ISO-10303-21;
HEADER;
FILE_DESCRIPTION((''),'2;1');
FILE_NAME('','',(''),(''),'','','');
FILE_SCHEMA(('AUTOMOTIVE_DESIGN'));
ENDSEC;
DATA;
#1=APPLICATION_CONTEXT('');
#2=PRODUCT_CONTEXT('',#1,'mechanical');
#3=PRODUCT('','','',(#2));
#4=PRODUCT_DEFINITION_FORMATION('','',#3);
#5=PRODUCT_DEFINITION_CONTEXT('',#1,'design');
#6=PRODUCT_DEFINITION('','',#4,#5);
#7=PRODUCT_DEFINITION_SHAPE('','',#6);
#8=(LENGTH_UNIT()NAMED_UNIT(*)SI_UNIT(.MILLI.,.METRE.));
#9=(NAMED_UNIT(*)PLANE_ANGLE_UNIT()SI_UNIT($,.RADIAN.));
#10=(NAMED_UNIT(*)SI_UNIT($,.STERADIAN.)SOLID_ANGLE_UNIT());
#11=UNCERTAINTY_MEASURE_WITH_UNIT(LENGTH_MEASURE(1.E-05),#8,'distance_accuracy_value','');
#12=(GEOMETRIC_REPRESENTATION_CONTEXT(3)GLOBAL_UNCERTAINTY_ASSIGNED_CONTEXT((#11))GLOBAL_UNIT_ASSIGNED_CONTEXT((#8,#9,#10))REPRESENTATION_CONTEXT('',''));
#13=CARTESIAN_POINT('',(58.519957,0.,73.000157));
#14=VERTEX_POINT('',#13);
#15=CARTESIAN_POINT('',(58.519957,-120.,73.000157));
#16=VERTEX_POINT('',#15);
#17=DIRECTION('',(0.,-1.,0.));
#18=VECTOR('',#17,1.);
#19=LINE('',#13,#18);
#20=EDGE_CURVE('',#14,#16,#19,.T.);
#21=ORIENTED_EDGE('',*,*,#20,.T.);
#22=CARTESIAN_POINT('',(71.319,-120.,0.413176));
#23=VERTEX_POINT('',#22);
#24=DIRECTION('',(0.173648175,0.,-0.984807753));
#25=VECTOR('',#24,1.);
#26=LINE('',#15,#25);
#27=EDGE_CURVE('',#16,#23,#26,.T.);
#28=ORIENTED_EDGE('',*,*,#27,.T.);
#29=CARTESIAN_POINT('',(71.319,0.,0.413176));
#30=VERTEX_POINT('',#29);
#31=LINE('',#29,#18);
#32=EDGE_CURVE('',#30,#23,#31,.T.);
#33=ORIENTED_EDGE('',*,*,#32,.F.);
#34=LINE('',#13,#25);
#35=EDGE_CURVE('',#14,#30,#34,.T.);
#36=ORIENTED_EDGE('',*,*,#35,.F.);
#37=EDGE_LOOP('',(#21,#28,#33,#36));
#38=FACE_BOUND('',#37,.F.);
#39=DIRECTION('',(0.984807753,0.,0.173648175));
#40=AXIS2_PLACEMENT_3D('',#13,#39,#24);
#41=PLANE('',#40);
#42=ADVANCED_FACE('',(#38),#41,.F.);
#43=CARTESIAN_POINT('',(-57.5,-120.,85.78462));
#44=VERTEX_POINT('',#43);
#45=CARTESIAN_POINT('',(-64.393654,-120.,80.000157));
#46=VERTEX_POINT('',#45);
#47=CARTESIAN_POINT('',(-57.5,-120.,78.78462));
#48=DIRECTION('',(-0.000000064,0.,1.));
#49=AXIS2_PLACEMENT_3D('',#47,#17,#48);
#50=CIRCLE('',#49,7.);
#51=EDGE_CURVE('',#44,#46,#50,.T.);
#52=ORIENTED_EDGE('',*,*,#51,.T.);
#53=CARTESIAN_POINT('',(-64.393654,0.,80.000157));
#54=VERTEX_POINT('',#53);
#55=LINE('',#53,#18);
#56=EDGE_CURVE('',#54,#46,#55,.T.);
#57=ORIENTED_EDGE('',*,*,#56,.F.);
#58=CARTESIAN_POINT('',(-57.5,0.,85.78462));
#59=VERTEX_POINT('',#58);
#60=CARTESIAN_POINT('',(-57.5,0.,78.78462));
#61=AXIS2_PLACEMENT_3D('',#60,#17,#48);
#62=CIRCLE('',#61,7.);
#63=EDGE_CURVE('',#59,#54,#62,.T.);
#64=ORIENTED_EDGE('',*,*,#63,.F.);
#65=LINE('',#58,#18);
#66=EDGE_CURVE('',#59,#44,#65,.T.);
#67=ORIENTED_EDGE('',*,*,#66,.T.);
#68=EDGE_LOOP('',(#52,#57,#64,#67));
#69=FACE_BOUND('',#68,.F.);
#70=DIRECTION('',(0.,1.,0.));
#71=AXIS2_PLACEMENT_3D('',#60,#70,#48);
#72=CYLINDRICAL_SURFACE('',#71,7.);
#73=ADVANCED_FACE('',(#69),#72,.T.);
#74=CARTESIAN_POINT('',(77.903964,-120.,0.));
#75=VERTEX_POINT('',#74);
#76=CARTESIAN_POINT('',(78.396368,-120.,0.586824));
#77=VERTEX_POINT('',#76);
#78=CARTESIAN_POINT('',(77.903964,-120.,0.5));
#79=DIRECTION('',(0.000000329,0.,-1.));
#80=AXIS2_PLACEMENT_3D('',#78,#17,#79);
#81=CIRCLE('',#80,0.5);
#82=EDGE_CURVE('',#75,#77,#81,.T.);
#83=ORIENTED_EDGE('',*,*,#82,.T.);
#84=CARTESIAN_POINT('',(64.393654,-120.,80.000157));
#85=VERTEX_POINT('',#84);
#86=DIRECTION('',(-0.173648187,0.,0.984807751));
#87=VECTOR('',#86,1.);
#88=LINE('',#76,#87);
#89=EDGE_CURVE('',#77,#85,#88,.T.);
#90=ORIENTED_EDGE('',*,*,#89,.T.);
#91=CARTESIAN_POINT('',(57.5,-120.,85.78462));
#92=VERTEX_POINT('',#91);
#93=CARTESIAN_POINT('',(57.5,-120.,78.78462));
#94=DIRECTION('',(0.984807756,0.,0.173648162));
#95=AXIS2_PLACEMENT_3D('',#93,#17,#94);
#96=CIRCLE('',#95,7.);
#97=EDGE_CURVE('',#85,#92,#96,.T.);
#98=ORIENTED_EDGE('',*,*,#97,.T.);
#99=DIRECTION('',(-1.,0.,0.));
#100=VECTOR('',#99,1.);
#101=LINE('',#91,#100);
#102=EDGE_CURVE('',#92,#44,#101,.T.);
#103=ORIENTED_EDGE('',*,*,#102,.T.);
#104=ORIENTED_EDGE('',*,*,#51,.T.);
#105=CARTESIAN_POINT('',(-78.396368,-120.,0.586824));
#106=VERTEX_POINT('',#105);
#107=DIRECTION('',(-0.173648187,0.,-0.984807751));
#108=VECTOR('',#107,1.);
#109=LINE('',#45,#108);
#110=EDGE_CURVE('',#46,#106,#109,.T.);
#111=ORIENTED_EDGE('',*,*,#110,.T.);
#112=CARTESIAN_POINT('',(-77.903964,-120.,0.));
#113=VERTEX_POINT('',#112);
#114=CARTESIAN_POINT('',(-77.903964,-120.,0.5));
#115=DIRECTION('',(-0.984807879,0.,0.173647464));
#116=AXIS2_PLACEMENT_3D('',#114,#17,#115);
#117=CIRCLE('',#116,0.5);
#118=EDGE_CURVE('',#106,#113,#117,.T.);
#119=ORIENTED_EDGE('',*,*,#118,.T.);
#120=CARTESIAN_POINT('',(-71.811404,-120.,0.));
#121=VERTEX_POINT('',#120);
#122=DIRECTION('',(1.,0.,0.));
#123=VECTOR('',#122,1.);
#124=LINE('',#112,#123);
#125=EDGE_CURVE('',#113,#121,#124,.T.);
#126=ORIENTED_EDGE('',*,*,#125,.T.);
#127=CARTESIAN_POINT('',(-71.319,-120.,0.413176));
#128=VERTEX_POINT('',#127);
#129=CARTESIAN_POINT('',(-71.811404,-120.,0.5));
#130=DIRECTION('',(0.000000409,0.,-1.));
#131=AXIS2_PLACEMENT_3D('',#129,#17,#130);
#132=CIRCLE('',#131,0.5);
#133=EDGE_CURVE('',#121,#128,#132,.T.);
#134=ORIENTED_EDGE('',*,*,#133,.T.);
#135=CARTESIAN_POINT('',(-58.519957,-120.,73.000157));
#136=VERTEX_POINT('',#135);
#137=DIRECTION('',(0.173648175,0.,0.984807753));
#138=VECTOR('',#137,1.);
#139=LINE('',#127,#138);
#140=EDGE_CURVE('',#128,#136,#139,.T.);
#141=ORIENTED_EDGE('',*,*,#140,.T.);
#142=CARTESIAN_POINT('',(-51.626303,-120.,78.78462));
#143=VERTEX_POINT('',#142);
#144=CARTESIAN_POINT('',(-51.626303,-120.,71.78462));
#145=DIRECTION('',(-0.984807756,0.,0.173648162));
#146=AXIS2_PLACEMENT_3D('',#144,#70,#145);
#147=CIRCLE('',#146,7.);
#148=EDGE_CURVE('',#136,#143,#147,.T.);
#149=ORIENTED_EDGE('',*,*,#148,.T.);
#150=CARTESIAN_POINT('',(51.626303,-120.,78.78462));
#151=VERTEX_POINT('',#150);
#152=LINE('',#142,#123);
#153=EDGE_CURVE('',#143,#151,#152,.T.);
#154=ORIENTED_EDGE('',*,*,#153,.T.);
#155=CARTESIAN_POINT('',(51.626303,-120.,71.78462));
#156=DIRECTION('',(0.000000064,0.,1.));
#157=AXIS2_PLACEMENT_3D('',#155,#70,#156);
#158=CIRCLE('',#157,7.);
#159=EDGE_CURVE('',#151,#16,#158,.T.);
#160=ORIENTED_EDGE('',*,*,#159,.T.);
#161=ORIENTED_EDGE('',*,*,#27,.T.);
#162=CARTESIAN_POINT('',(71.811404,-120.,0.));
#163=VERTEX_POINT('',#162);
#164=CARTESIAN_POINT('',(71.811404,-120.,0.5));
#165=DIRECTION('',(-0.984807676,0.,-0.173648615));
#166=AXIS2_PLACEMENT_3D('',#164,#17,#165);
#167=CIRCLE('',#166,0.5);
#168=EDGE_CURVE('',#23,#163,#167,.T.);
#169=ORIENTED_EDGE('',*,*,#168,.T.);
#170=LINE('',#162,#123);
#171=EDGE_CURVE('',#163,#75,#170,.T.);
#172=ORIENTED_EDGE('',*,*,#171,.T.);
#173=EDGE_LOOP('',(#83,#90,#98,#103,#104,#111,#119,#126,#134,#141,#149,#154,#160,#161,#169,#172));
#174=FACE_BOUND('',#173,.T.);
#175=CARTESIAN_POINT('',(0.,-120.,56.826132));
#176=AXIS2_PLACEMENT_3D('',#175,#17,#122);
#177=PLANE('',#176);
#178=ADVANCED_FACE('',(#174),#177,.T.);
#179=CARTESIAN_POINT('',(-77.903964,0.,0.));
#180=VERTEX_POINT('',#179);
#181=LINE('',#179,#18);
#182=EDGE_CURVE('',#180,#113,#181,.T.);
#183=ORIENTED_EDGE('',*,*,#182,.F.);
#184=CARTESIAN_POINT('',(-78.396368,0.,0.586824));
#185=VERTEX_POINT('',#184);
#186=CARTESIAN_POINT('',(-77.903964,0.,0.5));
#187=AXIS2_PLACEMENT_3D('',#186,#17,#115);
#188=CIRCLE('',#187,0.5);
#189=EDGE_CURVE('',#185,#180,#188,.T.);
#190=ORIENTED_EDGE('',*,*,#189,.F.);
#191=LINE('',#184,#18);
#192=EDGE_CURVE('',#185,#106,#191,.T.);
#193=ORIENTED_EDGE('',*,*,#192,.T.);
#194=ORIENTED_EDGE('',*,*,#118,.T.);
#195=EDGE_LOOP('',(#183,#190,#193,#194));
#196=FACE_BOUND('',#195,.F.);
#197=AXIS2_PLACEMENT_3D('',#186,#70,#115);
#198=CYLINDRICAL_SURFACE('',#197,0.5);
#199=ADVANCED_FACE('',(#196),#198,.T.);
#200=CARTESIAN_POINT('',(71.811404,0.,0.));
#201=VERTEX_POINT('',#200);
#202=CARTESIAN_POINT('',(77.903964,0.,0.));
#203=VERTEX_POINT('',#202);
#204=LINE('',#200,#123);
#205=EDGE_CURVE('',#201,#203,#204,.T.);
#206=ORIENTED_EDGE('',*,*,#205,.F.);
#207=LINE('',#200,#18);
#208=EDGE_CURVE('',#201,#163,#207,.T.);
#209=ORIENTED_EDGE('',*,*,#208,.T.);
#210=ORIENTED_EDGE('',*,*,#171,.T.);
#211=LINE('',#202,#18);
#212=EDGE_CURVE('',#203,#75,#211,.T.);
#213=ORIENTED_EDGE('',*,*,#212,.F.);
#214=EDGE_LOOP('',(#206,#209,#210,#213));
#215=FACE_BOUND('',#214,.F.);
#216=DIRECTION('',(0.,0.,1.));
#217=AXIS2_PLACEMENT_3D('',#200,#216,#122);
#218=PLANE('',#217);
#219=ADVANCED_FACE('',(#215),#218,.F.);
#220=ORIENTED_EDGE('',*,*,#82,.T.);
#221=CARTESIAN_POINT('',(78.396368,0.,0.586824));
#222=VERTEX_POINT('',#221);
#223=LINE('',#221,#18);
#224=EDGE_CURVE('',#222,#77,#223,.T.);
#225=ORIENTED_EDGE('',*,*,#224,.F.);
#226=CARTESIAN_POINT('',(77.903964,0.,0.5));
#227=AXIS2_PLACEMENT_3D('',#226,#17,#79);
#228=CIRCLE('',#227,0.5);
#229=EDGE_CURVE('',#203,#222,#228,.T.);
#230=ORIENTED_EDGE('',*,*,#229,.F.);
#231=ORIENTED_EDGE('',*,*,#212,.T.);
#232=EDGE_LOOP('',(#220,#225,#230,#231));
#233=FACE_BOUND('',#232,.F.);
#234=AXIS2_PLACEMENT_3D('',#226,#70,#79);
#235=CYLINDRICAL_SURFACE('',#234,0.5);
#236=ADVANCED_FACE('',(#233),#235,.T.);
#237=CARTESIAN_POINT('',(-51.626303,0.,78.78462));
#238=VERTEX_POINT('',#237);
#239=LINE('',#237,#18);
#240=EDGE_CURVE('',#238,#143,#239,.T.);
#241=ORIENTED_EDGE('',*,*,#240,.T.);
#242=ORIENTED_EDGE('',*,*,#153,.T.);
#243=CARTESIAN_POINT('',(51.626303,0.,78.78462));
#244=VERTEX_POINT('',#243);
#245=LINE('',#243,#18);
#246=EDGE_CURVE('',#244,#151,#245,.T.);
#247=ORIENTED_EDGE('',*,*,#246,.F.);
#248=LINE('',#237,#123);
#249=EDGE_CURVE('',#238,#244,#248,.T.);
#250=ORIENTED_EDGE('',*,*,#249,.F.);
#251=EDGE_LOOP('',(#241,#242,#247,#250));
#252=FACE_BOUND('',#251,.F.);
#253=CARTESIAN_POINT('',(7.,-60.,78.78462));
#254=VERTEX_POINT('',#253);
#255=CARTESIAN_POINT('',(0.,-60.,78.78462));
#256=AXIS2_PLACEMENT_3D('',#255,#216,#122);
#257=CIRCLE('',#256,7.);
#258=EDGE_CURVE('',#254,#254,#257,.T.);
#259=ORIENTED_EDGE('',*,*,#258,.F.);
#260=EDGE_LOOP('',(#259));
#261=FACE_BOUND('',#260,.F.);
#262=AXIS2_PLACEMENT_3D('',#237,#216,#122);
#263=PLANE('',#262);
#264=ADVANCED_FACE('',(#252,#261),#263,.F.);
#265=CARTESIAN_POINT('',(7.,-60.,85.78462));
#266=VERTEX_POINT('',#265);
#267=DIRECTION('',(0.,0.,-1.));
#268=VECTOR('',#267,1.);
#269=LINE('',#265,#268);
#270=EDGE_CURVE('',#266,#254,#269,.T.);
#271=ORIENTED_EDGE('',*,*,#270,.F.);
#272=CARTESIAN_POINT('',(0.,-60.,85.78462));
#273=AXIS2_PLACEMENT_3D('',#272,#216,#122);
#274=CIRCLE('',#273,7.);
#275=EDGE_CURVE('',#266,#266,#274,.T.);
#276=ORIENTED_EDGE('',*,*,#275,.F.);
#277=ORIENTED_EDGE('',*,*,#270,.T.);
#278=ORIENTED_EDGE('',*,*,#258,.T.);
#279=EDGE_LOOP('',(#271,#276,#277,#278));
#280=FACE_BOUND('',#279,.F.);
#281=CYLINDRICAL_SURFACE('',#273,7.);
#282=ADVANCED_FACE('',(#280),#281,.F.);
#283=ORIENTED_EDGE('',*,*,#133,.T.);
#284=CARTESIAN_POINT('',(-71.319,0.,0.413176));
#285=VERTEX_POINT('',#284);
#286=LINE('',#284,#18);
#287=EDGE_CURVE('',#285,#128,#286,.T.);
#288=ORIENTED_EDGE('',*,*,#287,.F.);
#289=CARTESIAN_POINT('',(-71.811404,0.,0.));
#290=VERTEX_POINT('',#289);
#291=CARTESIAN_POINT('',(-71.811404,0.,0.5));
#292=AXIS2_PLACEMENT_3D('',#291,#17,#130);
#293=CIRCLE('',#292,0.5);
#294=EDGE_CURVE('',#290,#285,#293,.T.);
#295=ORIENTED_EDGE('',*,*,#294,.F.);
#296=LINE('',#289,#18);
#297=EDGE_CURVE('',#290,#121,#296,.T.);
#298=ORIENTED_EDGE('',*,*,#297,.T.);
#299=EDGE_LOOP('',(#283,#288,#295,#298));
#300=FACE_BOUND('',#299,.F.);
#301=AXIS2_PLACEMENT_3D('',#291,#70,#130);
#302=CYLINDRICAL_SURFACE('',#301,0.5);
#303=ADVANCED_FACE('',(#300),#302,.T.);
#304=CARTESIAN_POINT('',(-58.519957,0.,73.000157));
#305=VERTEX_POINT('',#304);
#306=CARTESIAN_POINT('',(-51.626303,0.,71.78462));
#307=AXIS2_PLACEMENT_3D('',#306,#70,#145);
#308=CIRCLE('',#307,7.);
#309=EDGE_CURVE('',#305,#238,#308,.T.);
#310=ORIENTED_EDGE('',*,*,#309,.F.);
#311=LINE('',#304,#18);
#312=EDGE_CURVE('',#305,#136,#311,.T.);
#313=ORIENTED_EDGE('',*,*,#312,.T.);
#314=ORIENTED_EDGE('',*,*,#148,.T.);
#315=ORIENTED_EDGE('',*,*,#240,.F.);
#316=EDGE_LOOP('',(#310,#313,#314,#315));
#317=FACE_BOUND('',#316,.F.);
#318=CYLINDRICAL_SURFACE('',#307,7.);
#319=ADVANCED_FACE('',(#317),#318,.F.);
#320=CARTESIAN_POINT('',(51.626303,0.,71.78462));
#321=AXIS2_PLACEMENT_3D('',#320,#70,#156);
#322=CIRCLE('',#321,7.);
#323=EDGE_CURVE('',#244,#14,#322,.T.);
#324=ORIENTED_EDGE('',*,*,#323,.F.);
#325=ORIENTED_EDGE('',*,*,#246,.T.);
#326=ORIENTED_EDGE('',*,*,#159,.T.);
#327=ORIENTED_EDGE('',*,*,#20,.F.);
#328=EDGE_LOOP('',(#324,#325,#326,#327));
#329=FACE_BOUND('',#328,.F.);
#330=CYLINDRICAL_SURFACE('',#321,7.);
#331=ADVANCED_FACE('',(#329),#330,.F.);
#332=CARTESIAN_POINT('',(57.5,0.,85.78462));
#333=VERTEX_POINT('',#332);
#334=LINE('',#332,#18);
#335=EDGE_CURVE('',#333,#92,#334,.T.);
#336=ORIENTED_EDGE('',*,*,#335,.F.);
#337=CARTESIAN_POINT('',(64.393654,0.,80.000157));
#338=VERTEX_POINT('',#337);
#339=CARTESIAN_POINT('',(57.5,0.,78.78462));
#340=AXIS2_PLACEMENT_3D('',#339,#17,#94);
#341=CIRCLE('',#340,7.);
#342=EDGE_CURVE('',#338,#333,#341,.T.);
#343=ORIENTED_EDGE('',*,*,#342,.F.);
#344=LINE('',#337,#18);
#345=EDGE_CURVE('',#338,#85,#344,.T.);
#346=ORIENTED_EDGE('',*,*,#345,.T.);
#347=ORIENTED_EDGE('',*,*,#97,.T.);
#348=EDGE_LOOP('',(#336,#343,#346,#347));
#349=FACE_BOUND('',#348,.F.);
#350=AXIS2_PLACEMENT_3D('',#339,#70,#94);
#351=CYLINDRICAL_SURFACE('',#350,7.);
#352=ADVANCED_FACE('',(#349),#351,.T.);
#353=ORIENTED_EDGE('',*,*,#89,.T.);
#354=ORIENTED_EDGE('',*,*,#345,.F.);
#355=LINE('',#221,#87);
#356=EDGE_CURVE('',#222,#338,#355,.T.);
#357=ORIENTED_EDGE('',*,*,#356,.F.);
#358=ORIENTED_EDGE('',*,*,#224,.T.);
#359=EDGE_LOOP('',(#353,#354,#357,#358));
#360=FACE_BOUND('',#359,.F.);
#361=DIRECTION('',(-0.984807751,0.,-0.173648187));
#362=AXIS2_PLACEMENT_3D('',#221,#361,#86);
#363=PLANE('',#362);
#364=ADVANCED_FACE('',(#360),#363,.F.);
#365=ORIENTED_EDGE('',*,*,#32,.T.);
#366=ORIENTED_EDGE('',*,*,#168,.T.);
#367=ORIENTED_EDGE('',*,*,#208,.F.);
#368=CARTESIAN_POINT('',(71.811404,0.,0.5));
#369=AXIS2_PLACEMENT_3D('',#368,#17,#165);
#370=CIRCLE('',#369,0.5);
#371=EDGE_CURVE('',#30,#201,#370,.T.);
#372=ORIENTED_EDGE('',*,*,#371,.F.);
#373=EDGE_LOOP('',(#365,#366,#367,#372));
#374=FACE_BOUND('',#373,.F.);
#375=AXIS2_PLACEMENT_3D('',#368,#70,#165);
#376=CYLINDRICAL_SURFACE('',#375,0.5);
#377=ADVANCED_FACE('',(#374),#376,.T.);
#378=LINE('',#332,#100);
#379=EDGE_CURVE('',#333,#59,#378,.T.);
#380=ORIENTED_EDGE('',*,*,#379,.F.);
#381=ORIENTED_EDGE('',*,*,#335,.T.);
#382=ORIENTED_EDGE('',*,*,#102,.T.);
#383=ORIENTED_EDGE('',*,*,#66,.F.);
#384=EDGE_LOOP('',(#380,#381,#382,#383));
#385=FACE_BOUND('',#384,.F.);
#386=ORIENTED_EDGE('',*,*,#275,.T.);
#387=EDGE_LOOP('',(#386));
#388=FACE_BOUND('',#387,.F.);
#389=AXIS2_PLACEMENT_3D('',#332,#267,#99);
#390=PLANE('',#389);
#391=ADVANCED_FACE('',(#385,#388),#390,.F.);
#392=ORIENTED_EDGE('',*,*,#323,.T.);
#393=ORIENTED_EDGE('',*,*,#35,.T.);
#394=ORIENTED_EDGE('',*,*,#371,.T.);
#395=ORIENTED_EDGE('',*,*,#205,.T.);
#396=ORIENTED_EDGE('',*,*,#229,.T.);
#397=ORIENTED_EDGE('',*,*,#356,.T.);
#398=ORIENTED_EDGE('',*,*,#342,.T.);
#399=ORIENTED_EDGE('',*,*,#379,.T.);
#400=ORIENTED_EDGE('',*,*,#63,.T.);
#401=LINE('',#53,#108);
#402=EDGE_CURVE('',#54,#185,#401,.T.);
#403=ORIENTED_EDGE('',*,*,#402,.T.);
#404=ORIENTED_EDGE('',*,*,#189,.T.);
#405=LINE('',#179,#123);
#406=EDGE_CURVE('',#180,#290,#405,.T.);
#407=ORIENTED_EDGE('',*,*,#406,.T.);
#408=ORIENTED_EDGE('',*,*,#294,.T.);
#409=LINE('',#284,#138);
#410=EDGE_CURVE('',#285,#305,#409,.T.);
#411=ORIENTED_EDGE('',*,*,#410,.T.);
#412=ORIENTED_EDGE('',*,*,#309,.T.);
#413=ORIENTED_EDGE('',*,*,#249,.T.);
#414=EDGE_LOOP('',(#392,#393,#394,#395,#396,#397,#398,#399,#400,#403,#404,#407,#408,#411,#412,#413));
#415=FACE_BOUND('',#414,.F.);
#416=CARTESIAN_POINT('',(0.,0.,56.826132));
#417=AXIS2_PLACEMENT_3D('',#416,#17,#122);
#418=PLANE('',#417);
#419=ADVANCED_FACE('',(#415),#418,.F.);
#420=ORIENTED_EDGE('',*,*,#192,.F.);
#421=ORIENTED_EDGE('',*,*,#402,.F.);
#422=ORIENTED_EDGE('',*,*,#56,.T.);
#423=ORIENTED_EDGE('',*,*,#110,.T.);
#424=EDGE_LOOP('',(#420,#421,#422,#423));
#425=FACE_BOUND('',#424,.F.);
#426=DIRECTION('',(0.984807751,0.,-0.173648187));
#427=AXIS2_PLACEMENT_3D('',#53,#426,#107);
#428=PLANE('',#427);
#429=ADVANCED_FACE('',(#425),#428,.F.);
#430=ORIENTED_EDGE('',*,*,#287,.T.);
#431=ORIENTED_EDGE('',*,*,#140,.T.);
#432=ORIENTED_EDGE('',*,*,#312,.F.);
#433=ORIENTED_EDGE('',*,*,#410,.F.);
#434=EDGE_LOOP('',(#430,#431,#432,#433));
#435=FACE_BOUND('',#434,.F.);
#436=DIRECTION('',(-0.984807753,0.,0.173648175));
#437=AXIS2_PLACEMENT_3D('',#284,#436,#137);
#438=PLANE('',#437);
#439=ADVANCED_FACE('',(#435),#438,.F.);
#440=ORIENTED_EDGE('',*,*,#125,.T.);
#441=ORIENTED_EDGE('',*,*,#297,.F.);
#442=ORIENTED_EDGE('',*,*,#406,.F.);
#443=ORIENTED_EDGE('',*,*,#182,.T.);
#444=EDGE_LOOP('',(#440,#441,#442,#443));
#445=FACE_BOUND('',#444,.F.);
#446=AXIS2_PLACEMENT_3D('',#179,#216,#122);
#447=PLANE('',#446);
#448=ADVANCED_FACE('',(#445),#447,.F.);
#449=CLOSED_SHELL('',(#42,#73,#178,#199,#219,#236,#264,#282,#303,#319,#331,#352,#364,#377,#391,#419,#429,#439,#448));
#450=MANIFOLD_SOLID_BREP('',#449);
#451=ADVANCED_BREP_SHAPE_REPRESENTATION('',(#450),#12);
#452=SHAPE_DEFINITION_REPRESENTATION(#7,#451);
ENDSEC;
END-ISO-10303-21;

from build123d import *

# Parameters (mm, degrees)
F1_DEPTH = 120
F2_R     = 7
F3_DEPTH = 25


with BuildPart() as f1:
    # F0 (on Front) → F1 (new body)
    with BuildSketch(Plane.XZ):
        with BuildLine():
            ThreePointArc((-71.811404, 0), (-71.49001, 0.116978), (-71.319, 0.413176))
            Line((-71.319, 0.413176), (-58.519957, 73.000157))
            ThreePointArc((-58.519957, 73.000157), (-56.125816, 77.146931), (-51.626303, 78.78462))
            Line((-51.626303, 78.78462), (51.626303, 78.78462))
            ThreePointArc((51.626303, 78.78462), (56.125816, 77.146931), (58.519957, 73.000157))
            Line((58.519957, 73.000157), (71.319, 0.413176))
            ThreePointArc((71.319, 0.413176), (71.49001, 0.116978), (71.811404, 0))
            Line((71.811404, 0), (77.903964, 0))
            ThreePointArc((77.903964, 0), (78.286986, 0.178606), (78.396368, 0.586824))
            Line((78.396368, 0.586824), (64.393654, 80.000157))
            ThreePointArc((64.393654, 80.000157), (61.999513, 84.146931), (57.5, 85.78462))
            Line((57.5, 85.78462), (-57.5, 85.78462))
            ThreePointArc((-57.5, 85.78462), (-61.999513, 84.146931), (-64.393654, 80.000157))
            Line((-64.393654, 80.000157), (-78.396368, 0.586824))
            ThreePointArc((-78.396368, 0.586824), (-78.286986, 0.178606), (-77.903964, 0))
            Line((-77.903964, 0), (-71.811404, 0))
        make_face()
    extrude(amount=F1_DEPTH)

    # F2 (on face) → F3 (cut)
    with BuildSketch(Plane.XY.offset(85.78462)):
        with Locations((0, -60)):
            Circle(F2_R)
    extrude(amount=-F3_DEPTH, mode=Mode.SUBTRACT)


solid = f1.part
